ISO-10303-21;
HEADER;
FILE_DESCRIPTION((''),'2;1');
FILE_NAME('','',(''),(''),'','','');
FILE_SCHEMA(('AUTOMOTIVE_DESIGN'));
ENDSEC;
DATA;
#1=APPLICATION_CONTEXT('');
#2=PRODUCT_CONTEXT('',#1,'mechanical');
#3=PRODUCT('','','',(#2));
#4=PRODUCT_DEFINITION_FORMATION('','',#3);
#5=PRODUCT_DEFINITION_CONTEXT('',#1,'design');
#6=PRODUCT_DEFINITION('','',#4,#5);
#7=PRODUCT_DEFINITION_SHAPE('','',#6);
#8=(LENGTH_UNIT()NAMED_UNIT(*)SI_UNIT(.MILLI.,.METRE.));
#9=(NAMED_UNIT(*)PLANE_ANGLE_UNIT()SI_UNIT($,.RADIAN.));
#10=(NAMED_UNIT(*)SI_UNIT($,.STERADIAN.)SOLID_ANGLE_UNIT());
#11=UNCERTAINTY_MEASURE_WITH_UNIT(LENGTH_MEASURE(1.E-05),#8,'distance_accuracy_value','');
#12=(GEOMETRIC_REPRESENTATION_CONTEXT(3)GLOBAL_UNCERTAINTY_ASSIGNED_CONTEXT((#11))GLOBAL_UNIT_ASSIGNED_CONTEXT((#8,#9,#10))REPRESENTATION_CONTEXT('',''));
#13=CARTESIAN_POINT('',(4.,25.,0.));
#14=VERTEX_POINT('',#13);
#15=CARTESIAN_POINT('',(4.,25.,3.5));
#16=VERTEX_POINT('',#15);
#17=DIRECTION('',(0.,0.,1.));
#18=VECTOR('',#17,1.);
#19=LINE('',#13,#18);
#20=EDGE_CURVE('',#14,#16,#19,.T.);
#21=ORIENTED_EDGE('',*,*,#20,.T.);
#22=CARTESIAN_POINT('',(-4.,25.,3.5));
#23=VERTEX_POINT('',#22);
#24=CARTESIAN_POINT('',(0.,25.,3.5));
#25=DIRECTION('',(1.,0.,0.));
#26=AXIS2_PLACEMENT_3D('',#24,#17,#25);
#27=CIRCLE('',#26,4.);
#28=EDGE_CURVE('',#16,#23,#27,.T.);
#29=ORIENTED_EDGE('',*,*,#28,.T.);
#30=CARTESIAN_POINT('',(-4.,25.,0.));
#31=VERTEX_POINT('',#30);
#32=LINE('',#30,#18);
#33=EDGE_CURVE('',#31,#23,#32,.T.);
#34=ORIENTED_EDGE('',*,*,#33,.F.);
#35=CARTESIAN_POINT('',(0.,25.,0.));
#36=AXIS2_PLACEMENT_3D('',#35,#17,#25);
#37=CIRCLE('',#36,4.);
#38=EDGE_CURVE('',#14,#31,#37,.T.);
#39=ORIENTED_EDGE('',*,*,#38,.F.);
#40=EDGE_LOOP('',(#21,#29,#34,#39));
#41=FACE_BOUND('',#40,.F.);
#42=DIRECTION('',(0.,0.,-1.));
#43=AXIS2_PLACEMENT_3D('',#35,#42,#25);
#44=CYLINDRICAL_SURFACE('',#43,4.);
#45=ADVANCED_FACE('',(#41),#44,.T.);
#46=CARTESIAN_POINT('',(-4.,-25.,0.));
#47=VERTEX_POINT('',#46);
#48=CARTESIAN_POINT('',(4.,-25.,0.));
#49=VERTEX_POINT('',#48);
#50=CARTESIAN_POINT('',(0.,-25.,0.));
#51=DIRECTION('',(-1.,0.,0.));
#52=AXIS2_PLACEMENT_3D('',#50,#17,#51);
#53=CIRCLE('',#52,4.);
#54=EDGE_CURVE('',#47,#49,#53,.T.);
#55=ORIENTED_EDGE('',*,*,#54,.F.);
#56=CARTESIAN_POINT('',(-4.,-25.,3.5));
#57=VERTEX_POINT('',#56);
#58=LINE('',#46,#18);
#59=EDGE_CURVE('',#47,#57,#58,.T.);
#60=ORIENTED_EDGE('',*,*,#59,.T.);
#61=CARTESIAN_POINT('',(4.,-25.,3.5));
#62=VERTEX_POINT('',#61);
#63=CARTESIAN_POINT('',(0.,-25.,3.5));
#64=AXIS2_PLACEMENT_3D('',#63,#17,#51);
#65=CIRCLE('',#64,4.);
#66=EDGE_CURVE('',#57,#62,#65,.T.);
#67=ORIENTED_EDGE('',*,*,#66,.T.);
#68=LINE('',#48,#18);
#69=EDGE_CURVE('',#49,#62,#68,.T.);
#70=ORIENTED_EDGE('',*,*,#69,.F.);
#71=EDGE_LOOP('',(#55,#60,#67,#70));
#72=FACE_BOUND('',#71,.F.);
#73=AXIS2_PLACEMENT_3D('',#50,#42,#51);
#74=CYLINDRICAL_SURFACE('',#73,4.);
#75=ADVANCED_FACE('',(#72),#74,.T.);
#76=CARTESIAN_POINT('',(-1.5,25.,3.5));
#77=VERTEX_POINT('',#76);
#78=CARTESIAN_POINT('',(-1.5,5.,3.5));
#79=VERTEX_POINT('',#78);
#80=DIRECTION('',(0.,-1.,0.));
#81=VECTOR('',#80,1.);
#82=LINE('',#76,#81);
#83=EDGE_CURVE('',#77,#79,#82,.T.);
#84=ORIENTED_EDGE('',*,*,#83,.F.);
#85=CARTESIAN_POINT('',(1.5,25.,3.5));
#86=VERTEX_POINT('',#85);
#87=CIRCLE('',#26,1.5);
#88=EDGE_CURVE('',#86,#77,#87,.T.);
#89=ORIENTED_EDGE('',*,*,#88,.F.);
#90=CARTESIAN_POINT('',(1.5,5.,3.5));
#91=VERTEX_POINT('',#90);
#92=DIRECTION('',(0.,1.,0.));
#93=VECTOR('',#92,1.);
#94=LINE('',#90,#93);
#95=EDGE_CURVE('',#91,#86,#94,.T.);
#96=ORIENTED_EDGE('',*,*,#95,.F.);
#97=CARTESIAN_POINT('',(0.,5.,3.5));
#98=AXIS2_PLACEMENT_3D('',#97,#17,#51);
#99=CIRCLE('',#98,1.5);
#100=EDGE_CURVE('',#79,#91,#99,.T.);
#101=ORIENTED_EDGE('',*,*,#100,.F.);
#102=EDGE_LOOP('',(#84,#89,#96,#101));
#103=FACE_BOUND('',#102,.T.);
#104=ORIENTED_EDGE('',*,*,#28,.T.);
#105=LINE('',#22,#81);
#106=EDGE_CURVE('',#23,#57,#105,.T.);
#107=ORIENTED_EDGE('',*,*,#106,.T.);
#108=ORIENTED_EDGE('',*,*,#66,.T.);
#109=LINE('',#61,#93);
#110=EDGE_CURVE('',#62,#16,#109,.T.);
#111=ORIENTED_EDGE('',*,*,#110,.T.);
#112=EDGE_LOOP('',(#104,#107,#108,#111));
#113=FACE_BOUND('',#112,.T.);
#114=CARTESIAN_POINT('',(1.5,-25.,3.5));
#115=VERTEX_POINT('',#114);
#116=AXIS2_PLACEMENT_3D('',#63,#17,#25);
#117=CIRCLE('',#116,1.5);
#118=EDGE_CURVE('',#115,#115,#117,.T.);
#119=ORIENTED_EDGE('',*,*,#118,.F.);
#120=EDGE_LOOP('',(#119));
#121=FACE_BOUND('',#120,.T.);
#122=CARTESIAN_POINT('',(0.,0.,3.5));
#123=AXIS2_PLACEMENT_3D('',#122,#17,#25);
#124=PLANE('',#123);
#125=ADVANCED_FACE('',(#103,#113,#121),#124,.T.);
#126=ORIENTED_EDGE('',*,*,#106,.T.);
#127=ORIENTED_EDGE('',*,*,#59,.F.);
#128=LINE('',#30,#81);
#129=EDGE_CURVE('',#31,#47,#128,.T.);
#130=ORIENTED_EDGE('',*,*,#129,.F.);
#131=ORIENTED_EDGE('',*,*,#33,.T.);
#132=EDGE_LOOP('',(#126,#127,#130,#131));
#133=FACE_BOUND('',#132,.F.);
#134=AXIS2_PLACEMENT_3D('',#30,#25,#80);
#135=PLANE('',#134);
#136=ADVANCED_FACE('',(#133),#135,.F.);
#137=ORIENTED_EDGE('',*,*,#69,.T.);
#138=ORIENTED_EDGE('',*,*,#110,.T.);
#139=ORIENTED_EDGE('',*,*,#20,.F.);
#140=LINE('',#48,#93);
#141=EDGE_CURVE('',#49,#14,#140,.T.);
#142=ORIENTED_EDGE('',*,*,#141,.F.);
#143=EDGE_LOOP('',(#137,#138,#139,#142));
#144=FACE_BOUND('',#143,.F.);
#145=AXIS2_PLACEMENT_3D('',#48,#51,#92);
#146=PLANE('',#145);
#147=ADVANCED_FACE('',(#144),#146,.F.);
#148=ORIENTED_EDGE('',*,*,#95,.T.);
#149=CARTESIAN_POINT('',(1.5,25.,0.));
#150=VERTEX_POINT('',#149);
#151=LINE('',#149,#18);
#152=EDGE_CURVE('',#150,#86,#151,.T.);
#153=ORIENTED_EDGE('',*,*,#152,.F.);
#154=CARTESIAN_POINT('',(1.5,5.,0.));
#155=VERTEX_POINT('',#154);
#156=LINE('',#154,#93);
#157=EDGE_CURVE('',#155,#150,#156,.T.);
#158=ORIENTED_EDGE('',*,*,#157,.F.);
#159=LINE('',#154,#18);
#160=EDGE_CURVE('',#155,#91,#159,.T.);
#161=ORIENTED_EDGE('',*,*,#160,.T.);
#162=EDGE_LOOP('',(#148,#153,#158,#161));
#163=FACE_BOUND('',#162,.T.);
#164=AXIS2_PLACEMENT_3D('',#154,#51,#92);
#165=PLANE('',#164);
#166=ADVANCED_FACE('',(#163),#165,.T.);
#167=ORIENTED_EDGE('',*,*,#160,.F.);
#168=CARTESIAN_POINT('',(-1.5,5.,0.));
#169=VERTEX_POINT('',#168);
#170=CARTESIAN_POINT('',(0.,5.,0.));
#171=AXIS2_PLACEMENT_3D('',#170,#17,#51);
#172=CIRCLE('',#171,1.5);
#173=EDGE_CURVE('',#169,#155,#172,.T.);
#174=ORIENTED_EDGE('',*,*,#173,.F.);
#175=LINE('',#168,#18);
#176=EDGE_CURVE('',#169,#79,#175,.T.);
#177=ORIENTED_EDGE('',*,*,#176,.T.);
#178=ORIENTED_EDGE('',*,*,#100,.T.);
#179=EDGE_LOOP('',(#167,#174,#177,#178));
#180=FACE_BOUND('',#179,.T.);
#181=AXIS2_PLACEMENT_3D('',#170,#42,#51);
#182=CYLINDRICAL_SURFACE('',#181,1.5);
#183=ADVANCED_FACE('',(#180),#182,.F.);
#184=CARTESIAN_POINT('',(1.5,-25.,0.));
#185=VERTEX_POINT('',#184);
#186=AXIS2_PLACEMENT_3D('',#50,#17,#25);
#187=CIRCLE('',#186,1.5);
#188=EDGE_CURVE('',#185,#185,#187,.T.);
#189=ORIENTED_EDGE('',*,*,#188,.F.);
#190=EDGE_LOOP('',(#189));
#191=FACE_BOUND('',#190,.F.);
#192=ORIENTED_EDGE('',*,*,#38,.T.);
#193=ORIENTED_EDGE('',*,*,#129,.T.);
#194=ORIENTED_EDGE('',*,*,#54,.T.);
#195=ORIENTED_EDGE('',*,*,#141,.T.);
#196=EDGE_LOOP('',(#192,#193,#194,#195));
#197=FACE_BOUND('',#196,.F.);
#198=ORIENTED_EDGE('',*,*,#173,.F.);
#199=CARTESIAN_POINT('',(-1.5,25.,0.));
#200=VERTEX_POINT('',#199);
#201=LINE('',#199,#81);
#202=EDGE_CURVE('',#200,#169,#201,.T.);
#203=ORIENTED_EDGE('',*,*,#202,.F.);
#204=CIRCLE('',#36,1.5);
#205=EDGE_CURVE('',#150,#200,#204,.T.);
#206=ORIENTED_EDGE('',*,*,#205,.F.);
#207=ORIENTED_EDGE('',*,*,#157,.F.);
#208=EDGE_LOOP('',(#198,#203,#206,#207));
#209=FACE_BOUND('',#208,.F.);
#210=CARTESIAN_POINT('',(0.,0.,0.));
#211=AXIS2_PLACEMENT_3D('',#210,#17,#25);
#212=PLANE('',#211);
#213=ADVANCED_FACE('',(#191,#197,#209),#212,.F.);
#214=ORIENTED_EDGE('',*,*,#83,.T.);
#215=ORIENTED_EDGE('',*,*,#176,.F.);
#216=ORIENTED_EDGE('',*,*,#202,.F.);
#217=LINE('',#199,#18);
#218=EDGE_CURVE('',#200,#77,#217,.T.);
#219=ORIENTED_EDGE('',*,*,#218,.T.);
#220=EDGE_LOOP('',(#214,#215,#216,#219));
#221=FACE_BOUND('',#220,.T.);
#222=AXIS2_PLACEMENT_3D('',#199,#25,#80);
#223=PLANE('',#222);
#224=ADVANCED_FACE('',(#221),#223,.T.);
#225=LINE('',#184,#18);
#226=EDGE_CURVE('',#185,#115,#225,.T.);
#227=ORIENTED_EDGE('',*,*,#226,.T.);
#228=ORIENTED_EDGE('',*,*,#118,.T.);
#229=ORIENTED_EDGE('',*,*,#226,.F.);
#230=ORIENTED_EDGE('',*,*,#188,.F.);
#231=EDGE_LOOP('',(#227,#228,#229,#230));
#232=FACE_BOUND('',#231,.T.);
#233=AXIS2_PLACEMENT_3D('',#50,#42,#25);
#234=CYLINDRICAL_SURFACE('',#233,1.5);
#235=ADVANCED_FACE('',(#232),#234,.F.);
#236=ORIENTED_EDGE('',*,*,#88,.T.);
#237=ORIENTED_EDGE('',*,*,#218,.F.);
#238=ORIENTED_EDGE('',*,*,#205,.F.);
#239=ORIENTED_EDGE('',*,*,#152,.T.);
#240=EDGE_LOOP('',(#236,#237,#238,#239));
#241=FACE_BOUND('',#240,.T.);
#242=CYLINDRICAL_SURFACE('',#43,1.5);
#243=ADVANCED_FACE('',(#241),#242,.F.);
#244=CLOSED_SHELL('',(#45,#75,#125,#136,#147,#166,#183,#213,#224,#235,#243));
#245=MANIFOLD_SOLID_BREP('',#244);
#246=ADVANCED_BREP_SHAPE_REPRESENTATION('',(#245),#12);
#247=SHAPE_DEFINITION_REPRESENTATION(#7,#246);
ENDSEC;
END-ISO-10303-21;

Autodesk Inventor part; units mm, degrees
ref_plane "YZ Plane" through (0, 0, 0) normal (1, 0, 0) x (0, 1, 0)
ref_plane "XZ Plane" through (0, 0, 0) normal (0, 1, 0) x (-1, 0, 0)
ref_plane "XY Plane" through (0, 0, 0) normal (0, 0, 1) x (1, 0, 0)
sketch "Sketch1" plane through (0, 0, 0) normal (0, 0, 1) x (1, 0, 0)
  line L0 (0, 25) -> (0, -25) construction
  line L1 (-4, 25) -> (-4, -25)
  line L2 (4, -25) -> (4, 25)
  arc A0 (4, 25) -> (-4, 25) centre (0, 25) ccw
  arc A1 (-4, -25) -> (4, -25) centre (0, -25) ccw
  circle A2 centre (0, -25) radius 1.5
  line L3 (0, 5) -> (0, 25) construction
  line L4 (1.5, 5) -> (1.5, 25)
  line L5 (-1.5, 25) -> (-1.5, 5)
  arc A3 (-1.5, 5) -> (1.5, 5) centre (0, 5) ccw
  arc A4 (1.5, 25) -> (-1.5, 25) centre (0, 25) ccw
  point P0 (0, 0)
  point P1 (0, 15)
  dimension "d0" = 25
  dimension "d1" = 8
  dimension "d2" = 3
  dimension "d3" = 10
  dimension "d4" = 3
  dimension "d5" = 10
extrude "Extrusion1" add sketch "Sketch1" along normal blind 3.5
properties part number "3DP_PLA_Measurement_Rail_Mounting_Bracket_Long" material "ABS Plastic"
